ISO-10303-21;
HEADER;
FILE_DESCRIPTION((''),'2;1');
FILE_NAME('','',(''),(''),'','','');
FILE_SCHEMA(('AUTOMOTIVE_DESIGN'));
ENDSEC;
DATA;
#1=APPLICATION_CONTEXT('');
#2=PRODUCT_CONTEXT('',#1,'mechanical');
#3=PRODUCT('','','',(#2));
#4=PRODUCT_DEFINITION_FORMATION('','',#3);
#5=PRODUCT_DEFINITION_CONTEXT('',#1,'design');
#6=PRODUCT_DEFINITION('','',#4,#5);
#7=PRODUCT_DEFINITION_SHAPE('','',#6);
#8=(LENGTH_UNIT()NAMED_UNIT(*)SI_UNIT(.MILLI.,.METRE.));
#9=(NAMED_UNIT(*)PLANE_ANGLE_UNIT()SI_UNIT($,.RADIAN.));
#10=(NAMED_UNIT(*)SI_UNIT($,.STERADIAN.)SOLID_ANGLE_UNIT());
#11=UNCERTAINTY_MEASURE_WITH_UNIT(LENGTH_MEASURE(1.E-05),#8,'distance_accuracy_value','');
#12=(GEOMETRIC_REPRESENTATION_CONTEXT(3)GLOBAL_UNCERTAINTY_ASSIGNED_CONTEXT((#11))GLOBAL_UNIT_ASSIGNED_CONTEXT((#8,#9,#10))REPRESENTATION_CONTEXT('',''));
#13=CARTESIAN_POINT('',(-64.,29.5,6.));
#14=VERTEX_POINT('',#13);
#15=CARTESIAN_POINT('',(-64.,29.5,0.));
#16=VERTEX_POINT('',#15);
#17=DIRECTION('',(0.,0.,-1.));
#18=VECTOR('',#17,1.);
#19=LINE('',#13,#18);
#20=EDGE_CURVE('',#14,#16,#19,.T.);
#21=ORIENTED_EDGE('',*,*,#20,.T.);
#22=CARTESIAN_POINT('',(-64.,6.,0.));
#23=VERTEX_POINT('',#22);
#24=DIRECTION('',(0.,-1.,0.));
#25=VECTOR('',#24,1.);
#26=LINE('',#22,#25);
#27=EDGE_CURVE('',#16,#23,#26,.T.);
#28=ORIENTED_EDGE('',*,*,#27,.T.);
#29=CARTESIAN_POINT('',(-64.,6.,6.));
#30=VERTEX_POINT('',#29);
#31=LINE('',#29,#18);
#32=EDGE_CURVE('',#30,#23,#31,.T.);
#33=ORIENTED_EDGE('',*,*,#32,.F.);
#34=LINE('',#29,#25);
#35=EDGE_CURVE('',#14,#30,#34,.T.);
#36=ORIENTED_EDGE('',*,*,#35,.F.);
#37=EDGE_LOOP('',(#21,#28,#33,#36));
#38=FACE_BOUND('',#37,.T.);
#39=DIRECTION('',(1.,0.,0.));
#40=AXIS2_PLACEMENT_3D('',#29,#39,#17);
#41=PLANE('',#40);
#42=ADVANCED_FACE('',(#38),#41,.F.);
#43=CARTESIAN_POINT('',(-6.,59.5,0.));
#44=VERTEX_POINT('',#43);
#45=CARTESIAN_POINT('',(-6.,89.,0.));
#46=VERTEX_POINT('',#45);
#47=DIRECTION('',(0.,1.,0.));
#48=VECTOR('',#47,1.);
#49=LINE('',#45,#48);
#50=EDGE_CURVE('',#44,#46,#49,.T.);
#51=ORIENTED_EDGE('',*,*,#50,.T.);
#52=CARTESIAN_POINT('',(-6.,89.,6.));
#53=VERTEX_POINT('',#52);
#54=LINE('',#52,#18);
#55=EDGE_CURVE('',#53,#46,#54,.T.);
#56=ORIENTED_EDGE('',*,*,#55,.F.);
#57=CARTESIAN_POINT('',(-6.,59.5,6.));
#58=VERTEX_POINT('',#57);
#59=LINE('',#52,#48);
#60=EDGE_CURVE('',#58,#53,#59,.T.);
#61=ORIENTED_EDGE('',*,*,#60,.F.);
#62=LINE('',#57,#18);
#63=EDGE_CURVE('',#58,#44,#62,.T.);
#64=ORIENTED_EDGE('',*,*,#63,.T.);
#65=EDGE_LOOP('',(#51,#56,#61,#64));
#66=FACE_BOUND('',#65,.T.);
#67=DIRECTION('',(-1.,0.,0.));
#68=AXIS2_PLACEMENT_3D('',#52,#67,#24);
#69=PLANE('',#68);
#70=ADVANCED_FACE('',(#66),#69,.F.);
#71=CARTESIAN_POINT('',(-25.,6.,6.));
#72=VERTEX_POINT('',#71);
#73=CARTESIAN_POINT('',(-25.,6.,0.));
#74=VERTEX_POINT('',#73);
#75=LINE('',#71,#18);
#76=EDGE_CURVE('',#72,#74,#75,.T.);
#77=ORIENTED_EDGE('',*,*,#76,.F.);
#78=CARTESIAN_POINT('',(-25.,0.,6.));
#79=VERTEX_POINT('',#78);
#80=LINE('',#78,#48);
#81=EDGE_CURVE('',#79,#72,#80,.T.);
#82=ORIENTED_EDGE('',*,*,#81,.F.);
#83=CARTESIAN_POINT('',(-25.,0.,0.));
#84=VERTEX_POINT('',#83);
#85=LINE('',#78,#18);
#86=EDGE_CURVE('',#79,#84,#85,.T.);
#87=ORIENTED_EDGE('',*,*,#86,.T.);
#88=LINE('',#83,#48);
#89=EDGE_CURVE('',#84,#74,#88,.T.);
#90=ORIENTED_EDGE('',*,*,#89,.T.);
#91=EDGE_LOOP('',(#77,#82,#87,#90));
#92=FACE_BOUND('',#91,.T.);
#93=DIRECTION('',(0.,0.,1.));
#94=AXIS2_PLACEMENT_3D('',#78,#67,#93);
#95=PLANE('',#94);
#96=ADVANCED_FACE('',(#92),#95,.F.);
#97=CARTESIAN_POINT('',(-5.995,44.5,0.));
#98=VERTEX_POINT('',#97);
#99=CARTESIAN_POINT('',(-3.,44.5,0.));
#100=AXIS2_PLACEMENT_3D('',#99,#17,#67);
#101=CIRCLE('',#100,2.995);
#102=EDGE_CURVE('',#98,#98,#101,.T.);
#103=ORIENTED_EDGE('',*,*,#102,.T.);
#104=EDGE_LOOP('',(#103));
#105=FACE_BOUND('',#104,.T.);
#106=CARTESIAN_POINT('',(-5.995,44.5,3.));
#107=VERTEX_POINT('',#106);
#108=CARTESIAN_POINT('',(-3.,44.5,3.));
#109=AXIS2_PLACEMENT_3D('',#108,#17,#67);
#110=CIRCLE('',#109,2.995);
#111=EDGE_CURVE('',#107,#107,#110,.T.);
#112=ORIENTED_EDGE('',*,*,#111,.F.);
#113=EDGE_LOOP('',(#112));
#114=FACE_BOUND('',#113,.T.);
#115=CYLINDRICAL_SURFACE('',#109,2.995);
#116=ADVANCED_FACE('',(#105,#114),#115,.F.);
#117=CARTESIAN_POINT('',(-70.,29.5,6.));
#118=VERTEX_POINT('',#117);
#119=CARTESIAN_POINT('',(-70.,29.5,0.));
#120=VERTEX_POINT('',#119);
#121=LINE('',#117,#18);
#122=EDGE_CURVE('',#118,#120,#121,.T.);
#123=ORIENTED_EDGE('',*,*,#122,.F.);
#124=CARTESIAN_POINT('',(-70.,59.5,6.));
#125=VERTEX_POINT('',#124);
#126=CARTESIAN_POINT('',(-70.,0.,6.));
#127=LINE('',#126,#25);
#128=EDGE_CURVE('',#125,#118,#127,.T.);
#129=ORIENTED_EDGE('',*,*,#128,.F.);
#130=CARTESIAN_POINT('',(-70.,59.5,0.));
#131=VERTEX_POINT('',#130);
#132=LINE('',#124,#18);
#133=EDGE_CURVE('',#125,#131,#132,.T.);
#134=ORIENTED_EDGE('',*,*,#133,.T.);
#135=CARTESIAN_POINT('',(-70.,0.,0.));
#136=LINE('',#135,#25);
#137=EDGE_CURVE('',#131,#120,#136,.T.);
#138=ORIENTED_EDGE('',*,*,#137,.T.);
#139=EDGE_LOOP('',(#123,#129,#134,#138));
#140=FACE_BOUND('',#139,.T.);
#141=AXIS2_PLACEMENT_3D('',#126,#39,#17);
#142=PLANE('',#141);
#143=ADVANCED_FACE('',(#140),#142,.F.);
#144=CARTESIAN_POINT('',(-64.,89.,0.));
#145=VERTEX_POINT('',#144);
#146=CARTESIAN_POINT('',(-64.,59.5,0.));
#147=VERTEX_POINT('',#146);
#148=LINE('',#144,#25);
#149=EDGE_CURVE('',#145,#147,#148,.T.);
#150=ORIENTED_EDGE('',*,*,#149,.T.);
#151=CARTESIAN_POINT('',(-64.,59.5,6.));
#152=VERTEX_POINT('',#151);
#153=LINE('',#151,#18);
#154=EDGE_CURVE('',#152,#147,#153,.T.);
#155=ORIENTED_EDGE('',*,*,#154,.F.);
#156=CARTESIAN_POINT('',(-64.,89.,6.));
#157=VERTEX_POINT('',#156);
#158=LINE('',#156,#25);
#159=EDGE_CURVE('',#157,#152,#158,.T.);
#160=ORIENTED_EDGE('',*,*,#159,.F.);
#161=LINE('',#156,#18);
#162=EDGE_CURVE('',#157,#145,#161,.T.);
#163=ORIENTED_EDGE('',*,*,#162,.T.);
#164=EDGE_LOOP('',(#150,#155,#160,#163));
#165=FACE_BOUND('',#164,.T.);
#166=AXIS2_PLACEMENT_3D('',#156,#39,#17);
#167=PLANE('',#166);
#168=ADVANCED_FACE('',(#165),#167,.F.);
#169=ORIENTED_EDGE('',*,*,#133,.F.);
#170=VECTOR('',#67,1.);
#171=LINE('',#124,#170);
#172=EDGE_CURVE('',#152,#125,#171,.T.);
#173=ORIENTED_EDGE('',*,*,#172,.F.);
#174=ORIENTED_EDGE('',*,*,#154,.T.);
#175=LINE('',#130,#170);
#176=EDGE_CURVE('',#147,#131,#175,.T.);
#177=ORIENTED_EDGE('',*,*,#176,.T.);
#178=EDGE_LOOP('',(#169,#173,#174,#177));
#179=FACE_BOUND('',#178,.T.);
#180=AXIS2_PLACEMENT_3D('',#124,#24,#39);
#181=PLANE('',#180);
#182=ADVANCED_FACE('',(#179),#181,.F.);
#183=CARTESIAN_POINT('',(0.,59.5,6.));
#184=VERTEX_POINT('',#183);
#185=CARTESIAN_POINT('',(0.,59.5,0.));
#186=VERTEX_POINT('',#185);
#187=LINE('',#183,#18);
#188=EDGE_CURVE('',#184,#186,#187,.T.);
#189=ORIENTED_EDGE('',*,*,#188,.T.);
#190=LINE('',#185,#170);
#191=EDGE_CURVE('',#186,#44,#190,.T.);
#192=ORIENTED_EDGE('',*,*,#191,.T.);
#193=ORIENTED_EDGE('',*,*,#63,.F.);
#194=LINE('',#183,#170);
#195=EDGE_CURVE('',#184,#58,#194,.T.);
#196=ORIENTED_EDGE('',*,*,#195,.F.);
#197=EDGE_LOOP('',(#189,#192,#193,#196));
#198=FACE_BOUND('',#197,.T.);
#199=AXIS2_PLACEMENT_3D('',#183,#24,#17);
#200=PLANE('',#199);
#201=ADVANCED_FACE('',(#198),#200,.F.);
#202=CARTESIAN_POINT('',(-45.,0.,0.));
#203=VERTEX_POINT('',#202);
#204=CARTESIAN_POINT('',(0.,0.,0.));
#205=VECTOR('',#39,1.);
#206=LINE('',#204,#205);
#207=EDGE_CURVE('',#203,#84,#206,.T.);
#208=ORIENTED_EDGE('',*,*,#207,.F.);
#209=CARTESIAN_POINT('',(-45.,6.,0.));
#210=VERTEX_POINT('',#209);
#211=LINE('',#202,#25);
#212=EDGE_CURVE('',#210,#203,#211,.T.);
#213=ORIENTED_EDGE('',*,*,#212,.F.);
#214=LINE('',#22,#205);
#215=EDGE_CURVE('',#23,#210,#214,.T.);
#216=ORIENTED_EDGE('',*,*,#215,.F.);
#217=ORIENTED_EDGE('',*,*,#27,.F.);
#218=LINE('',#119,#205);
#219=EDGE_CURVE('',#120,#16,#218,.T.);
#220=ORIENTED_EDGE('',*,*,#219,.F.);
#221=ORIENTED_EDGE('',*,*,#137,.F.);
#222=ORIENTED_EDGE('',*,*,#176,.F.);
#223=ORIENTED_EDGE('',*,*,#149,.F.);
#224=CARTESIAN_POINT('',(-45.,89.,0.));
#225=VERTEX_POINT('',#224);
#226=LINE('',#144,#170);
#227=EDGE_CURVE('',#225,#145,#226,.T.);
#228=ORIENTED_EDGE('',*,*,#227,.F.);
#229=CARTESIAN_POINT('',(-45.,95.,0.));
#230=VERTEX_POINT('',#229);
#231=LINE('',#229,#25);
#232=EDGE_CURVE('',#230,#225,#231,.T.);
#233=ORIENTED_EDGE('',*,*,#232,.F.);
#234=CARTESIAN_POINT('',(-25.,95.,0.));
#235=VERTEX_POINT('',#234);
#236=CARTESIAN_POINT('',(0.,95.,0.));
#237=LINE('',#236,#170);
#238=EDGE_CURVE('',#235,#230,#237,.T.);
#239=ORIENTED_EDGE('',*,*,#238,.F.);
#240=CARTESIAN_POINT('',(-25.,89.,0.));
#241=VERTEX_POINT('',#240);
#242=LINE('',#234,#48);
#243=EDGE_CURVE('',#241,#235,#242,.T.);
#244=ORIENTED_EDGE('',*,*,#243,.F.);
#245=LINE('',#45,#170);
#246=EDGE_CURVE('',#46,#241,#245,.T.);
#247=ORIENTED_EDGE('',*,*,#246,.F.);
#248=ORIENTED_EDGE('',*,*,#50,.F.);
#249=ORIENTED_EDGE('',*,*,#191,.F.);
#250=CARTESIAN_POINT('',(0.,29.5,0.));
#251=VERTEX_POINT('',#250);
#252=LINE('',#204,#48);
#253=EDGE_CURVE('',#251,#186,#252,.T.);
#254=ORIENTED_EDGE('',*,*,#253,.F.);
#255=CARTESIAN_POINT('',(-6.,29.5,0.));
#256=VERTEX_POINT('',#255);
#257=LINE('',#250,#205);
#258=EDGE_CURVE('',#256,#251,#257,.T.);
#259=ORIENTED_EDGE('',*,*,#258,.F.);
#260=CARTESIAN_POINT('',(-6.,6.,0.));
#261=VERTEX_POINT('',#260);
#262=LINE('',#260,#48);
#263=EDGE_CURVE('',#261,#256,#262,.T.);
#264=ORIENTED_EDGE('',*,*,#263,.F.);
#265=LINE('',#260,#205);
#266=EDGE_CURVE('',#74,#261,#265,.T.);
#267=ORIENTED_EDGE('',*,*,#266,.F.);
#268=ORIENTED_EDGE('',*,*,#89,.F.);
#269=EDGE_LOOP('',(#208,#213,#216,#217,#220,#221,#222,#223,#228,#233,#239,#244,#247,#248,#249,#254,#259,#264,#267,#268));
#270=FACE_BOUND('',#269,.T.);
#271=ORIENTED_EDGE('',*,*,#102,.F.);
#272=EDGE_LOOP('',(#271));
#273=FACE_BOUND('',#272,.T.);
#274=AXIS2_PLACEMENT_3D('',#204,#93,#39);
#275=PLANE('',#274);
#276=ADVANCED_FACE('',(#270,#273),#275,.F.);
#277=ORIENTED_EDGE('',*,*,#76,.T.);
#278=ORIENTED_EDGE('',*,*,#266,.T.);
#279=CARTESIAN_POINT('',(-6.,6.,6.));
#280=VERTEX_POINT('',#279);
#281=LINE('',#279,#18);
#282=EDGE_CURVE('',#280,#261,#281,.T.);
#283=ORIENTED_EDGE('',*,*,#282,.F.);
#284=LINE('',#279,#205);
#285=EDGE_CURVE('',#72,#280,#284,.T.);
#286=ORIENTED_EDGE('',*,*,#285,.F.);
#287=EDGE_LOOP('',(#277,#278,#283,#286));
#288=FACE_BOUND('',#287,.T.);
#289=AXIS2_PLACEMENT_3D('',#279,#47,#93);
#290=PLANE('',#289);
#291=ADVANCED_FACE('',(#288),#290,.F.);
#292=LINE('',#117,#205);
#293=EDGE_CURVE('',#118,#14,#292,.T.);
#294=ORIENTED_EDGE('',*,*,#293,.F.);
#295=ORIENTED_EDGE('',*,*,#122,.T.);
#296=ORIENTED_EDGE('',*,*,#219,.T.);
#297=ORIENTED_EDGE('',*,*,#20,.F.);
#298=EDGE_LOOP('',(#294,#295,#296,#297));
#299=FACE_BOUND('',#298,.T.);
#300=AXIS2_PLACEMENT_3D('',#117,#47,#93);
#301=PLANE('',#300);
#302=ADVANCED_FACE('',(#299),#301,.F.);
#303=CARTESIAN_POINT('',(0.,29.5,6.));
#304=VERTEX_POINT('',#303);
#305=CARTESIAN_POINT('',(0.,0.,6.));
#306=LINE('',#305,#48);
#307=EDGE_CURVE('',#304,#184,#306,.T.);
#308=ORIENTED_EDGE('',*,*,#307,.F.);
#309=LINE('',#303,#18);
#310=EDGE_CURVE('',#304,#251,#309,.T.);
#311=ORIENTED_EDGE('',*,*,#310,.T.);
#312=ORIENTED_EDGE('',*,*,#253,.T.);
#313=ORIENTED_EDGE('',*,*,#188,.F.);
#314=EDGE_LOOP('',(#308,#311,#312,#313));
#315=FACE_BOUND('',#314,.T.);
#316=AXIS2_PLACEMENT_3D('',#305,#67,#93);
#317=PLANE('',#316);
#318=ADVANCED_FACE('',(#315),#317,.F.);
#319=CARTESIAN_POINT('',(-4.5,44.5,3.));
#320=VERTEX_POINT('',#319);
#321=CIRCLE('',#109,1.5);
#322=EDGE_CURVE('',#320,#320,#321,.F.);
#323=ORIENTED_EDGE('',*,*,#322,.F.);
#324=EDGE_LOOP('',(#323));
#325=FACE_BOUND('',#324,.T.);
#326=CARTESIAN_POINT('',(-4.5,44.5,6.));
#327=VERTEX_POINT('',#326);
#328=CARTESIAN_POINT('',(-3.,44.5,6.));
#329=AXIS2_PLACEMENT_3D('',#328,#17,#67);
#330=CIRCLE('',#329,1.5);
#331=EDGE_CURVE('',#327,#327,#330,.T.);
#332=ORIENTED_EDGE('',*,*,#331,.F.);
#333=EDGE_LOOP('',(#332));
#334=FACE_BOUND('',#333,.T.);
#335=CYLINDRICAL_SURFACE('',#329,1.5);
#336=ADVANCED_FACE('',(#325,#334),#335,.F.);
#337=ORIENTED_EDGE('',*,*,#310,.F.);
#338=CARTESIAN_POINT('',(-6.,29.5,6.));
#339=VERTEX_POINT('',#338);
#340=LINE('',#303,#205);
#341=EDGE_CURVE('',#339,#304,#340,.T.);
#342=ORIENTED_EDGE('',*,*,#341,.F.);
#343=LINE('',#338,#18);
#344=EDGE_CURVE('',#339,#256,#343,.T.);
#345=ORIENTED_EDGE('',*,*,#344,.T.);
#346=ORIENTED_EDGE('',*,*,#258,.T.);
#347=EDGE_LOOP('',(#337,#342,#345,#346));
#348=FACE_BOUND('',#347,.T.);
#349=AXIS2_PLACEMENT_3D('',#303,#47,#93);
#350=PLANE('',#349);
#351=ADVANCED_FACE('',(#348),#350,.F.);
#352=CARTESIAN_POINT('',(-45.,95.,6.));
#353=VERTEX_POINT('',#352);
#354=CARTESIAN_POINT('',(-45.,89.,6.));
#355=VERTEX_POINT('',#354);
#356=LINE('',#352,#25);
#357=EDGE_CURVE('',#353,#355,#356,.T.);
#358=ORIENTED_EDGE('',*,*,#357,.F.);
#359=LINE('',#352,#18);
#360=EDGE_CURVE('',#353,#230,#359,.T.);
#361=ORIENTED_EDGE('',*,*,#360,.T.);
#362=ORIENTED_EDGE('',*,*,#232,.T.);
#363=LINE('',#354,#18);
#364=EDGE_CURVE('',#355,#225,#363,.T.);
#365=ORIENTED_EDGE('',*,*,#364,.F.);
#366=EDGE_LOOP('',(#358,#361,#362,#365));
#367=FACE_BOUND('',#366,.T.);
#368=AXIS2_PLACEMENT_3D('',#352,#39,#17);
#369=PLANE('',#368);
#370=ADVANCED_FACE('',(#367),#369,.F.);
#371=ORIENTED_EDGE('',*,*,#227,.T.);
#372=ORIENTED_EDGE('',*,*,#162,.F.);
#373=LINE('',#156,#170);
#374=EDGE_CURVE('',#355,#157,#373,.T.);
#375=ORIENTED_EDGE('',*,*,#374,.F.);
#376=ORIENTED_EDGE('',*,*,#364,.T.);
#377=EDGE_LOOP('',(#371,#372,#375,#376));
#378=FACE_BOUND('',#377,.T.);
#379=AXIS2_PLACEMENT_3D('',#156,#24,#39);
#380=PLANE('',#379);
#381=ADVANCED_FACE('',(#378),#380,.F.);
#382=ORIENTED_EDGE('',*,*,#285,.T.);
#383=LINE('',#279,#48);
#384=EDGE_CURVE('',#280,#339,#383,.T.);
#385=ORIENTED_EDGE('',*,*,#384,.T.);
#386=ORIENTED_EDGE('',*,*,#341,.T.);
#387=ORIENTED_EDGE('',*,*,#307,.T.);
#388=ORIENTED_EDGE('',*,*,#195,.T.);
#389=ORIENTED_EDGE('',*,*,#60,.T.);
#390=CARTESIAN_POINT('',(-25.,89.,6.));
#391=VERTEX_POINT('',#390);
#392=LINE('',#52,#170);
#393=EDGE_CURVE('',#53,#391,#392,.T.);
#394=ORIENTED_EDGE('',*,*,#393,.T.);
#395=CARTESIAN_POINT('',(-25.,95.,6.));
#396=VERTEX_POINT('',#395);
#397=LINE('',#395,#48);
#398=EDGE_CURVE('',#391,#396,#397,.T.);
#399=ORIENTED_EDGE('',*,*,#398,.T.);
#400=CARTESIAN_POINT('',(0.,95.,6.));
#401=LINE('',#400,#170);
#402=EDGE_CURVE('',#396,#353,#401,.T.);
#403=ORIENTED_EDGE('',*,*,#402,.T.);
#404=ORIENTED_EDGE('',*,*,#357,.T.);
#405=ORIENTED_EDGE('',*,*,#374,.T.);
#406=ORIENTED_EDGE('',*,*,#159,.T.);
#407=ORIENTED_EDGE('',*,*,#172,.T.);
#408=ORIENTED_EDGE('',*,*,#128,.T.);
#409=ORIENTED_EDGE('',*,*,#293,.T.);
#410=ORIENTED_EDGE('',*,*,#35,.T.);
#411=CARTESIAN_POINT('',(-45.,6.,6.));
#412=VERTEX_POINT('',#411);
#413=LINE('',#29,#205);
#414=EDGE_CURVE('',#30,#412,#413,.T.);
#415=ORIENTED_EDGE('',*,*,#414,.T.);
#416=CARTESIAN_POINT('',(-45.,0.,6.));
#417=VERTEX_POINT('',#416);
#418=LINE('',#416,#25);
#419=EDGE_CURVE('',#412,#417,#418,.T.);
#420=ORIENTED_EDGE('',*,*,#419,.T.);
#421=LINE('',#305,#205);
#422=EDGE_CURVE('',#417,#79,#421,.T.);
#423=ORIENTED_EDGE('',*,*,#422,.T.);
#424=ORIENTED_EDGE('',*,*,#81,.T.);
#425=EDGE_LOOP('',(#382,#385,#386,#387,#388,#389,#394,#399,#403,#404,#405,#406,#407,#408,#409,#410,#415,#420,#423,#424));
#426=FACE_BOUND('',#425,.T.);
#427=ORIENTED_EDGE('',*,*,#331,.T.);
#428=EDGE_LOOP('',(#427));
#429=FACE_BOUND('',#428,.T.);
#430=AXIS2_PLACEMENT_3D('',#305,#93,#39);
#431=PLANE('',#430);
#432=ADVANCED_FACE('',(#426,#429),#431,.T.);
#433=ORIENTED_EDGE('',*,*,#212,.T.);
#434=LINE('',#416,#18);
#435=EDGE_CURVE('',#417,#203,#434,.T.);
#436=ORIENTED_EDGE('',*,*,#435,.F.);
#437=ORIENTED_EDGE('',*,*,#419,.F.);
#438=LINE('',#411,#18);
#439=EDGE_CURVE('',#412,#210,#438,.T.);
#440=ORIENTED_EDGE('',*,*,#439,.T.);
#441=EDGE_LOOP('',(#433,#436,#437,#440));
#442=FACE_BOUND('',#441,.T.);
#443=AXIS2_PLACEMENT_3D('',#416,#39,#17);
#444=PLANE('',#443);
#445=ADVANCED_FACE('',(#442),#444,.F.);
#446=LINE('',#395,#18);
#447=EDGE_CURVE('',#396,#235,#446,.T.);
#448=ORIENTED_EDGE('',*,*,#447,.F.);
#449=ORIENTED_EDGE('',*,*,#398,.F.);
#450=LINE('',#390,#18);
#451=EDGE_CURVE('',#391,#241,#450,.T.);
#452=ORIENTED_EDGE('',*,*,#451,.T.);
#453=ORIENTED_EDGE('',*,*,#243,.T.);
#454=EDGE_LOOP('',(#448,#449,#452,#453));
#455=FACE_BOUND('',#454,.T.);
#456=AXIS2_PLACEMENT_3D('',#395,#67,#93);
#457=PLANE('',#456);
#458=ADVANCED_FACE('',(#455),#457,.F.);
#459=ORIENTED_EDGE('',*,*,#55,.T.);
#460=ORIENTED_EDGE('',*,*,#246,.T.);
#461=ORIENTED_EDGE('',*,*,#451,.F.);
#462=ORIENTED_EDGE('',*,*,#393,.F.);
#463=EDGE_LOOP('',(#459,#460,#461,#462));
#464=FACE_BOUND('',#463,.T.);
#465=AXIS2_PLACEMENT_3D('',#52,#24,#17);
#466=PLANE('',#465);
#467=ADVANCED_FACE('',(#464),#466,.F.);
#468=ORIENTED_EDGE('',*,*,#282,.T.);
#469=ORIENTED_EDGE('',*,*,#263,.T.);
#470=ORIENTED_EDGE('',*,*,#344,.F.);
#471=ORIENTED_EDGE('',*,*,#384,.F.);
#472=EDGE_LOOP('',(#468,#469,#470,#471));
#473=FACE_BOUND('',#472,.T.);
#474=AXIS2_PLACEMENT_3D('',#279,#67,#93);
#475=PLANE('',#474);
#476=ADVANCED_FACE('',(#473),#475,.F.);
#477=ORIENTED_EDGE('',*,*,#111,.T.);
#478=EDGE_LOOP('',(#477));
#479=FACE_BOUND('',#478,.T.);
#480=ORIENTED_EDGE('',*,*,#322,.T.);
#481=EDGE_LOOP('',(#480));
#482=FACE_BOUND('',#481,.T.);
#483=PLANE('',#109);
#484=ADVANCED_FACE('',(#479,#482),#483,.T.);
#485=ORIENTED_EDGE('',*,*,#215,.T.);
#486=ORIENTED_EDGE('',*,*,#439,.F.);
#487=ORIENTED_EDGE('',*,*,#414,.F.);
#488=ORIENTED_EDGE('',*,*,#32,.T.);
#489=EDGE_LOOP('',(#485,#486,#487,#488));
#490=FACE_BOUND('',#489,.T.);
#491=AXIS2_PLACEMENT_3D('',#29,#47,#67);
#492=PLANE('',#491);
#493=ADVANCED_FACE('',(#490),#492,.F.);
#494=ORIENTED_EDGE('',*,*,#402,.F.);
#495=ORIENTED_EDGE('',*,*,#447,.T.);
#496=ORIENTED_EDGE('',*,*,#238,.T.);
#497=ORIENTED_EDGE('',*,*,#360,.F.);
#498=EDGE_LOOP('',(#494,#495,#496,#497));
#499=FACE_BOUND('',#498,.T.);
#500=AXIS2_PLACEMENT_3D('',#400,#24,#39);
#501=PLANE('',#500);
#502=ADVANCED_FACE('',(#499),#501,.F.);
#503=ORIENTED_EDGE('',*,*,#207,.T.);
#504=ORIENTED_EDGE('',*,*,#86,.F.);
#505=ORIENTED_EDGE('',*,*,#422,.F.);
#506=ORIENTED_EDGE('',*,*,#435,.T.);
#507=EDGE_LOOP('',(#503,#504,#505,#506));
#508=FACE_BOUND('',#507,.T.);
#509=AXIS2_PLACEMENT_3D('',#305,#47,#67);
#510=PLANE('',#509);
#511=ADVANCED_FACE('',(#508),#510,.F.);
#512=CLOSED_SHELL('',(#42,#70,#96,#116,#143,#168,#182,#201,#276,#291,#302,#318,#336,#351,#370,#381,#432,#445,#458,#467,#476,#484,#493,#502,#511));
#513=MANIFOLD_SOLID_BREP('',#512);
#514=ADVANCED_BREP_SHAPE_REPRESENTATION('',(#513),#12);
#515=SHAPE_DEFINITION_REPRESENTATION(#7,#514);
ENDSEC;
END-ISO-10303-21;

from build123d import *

# Parameters (mm, degrees)
ESQUISSE1_W             = 70
ESQUISSE1_H             = 95
BOSS_EXTRU_1_DEPTH      = 6
ENL_V_MAT_EXTRU_1_DEPTH = 119.156675647
ESQUISSE3_R             = 1.5
ENL_V_MAT_EXTRU_2_DEPTH = 119.156675647
ESQUISSE4_R             = 2.995
ENL_V_MAT_EXTRU_3_DEPTH = 3


with BuildPart() as part:
    # Esquisse1 → Boss.-Extru.1 (new body)
    with BuildSketch(Plane.XY):
        with Locations((-35, 47.5)):
            Rectangle(ESQUISSE1_W, ESQUISSE1_H)
    extrude(amount=BOSS_EXTRU_1_DEPTH)

    # Esquisse2 → Enlèv. mat.-Extru.1 (cut, through all)
    with BuildSketch(Plane(origin=(0, 0, 0), x_dir=(-1, 0, 0), z_dir=(0, 0, -1))):
        Polygon((0, 95), (25, 95), (25, 89), (6, 89), (6, 59.5), (0, 59.5), align=None)
        Polygon((70, 95), (45, 95), (45, 89), (64, 89), (64, 59.5), (70, 59.5), align=None)
        Polygon((0, 0), (25, 0), (25, 6), (6, 6), (6, 29.5), (0, 29.5), align=None)
        Polygon((45, 0), (70, 0), (70, 29.5), (64, 29.5), (64, 6), (45, 6), align=None)
    extrude(amount=-ENL_V_MAT_EXTRU_1_DEPTH, mode=Mode.SUBTRACT)

    # Esquisse3 → Enlèv. mat.-Extru.2 (cut, through all)
    with BuildSketch(Plane(origin=(0, 0, 0), x_dir=(-1, 0, 0), z_dir=(0, 0, -1))):
        with Locations((3, 44.5)):
            Circle(ESQUISSE3_R)
    extrude(amount=-ENL_V_MAT_EXTRU_2_DEPTH, mode=Mode.SUBTRACT)

    # Esquisse4 → Enlèv. mat.-Extru.3 (cut)
    with BuildSketch(Plane(origin=(0, 0, 0), x_dir=(-1, 0, 0), z_dir=(0, 0, -1))):
        with Locations((3, 44.5)):
            Circle(ESQUISSE4_R)
    extrude(amount=-ENL_V_MAT_EXTRU_3_DEPTH, mode=Mode.SUBTRACT)


solid = part.part
